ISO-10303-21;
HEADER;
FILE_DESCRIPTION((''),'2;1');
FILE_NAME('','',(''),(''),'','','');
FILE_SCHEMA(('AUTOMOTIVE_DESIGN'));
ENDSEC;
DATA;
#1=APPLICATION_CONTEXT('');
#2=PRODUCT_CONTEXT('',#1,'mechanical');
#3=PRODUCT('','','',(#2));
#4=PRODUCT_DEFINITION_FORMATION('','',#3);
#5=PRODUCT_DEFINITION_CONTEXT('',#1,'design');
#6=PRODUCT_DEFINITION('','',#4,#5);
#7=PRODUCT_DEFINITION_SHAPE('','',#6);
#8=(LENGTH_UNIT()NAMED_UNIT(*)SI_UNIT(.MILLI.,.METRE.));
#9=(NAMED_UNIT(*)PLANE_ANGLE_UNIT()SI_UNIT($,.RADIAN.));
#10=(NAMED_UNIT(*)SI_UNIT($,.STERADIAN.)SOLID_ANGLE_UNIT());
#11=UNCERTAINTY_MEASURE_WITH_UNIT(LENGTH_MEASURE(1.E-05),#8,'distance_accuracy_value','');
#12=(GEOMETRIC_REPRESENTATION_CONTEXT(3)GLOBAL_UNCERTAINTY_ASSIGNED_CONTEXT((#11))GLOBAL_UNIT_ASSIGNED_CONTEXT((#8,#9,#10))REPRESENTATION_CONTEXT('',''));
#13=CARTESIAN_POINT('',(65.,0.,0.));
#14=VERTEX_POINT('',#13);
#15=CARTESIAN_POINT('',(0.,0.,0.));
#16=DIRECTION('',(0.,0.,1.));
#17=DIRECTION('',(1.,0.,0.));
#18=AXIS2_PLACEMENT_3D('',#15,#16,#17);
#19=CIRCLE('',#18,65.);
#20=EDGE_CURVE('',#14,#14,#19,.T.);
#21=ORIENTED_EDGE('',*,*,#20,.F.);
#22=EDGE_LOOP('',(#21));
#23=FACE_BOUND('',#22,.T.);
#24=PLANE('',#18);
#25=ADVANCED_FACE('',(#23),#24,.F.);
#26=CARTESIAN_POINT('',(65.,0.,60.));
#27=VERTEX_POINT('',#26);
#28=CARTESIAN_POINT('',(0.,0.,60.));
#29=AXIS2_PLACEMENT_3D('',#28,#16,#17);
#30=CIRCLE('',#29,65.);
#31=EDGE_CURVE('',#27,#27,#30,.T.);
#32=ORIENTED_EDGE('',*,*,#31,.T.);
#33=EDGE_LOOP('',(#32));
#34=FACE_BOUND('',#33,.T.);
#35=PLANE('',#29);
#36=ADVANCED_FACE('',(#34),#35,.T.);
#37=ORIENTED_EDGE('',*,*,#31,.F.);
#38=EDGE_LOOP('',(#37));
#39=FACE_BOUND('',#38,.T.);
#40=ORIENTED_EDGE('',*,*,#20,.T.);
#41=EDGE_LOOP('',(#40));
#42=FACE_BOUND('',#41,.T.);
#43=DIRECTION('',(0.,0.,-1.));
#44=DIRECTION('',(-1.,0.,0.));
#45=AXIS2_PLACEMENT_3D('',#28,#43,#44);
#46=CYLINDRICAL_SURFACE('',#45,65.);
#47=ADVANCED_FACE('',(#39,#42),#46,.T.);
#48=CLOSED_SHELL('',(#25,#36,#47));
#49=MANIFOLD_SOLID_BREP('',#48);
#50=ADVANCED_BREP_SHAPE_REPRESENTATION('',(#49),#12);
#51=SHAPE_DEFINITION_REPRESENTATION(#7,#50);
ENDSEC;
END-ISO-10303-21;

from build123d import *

# Parameters (mm, degrees)
SKETCH_1_R      = 65
EXTRUDE_1_DEPTH = 60


with BuildPart() as part:
    # 草图1 → 凸台-拉伸1 (new body)
    with BuildSketch(Plane.XY):
        Circle(SKETCH_1_R)
    extrude(amount=EXTRUDE_1_DEPTH)


solid = part.part
